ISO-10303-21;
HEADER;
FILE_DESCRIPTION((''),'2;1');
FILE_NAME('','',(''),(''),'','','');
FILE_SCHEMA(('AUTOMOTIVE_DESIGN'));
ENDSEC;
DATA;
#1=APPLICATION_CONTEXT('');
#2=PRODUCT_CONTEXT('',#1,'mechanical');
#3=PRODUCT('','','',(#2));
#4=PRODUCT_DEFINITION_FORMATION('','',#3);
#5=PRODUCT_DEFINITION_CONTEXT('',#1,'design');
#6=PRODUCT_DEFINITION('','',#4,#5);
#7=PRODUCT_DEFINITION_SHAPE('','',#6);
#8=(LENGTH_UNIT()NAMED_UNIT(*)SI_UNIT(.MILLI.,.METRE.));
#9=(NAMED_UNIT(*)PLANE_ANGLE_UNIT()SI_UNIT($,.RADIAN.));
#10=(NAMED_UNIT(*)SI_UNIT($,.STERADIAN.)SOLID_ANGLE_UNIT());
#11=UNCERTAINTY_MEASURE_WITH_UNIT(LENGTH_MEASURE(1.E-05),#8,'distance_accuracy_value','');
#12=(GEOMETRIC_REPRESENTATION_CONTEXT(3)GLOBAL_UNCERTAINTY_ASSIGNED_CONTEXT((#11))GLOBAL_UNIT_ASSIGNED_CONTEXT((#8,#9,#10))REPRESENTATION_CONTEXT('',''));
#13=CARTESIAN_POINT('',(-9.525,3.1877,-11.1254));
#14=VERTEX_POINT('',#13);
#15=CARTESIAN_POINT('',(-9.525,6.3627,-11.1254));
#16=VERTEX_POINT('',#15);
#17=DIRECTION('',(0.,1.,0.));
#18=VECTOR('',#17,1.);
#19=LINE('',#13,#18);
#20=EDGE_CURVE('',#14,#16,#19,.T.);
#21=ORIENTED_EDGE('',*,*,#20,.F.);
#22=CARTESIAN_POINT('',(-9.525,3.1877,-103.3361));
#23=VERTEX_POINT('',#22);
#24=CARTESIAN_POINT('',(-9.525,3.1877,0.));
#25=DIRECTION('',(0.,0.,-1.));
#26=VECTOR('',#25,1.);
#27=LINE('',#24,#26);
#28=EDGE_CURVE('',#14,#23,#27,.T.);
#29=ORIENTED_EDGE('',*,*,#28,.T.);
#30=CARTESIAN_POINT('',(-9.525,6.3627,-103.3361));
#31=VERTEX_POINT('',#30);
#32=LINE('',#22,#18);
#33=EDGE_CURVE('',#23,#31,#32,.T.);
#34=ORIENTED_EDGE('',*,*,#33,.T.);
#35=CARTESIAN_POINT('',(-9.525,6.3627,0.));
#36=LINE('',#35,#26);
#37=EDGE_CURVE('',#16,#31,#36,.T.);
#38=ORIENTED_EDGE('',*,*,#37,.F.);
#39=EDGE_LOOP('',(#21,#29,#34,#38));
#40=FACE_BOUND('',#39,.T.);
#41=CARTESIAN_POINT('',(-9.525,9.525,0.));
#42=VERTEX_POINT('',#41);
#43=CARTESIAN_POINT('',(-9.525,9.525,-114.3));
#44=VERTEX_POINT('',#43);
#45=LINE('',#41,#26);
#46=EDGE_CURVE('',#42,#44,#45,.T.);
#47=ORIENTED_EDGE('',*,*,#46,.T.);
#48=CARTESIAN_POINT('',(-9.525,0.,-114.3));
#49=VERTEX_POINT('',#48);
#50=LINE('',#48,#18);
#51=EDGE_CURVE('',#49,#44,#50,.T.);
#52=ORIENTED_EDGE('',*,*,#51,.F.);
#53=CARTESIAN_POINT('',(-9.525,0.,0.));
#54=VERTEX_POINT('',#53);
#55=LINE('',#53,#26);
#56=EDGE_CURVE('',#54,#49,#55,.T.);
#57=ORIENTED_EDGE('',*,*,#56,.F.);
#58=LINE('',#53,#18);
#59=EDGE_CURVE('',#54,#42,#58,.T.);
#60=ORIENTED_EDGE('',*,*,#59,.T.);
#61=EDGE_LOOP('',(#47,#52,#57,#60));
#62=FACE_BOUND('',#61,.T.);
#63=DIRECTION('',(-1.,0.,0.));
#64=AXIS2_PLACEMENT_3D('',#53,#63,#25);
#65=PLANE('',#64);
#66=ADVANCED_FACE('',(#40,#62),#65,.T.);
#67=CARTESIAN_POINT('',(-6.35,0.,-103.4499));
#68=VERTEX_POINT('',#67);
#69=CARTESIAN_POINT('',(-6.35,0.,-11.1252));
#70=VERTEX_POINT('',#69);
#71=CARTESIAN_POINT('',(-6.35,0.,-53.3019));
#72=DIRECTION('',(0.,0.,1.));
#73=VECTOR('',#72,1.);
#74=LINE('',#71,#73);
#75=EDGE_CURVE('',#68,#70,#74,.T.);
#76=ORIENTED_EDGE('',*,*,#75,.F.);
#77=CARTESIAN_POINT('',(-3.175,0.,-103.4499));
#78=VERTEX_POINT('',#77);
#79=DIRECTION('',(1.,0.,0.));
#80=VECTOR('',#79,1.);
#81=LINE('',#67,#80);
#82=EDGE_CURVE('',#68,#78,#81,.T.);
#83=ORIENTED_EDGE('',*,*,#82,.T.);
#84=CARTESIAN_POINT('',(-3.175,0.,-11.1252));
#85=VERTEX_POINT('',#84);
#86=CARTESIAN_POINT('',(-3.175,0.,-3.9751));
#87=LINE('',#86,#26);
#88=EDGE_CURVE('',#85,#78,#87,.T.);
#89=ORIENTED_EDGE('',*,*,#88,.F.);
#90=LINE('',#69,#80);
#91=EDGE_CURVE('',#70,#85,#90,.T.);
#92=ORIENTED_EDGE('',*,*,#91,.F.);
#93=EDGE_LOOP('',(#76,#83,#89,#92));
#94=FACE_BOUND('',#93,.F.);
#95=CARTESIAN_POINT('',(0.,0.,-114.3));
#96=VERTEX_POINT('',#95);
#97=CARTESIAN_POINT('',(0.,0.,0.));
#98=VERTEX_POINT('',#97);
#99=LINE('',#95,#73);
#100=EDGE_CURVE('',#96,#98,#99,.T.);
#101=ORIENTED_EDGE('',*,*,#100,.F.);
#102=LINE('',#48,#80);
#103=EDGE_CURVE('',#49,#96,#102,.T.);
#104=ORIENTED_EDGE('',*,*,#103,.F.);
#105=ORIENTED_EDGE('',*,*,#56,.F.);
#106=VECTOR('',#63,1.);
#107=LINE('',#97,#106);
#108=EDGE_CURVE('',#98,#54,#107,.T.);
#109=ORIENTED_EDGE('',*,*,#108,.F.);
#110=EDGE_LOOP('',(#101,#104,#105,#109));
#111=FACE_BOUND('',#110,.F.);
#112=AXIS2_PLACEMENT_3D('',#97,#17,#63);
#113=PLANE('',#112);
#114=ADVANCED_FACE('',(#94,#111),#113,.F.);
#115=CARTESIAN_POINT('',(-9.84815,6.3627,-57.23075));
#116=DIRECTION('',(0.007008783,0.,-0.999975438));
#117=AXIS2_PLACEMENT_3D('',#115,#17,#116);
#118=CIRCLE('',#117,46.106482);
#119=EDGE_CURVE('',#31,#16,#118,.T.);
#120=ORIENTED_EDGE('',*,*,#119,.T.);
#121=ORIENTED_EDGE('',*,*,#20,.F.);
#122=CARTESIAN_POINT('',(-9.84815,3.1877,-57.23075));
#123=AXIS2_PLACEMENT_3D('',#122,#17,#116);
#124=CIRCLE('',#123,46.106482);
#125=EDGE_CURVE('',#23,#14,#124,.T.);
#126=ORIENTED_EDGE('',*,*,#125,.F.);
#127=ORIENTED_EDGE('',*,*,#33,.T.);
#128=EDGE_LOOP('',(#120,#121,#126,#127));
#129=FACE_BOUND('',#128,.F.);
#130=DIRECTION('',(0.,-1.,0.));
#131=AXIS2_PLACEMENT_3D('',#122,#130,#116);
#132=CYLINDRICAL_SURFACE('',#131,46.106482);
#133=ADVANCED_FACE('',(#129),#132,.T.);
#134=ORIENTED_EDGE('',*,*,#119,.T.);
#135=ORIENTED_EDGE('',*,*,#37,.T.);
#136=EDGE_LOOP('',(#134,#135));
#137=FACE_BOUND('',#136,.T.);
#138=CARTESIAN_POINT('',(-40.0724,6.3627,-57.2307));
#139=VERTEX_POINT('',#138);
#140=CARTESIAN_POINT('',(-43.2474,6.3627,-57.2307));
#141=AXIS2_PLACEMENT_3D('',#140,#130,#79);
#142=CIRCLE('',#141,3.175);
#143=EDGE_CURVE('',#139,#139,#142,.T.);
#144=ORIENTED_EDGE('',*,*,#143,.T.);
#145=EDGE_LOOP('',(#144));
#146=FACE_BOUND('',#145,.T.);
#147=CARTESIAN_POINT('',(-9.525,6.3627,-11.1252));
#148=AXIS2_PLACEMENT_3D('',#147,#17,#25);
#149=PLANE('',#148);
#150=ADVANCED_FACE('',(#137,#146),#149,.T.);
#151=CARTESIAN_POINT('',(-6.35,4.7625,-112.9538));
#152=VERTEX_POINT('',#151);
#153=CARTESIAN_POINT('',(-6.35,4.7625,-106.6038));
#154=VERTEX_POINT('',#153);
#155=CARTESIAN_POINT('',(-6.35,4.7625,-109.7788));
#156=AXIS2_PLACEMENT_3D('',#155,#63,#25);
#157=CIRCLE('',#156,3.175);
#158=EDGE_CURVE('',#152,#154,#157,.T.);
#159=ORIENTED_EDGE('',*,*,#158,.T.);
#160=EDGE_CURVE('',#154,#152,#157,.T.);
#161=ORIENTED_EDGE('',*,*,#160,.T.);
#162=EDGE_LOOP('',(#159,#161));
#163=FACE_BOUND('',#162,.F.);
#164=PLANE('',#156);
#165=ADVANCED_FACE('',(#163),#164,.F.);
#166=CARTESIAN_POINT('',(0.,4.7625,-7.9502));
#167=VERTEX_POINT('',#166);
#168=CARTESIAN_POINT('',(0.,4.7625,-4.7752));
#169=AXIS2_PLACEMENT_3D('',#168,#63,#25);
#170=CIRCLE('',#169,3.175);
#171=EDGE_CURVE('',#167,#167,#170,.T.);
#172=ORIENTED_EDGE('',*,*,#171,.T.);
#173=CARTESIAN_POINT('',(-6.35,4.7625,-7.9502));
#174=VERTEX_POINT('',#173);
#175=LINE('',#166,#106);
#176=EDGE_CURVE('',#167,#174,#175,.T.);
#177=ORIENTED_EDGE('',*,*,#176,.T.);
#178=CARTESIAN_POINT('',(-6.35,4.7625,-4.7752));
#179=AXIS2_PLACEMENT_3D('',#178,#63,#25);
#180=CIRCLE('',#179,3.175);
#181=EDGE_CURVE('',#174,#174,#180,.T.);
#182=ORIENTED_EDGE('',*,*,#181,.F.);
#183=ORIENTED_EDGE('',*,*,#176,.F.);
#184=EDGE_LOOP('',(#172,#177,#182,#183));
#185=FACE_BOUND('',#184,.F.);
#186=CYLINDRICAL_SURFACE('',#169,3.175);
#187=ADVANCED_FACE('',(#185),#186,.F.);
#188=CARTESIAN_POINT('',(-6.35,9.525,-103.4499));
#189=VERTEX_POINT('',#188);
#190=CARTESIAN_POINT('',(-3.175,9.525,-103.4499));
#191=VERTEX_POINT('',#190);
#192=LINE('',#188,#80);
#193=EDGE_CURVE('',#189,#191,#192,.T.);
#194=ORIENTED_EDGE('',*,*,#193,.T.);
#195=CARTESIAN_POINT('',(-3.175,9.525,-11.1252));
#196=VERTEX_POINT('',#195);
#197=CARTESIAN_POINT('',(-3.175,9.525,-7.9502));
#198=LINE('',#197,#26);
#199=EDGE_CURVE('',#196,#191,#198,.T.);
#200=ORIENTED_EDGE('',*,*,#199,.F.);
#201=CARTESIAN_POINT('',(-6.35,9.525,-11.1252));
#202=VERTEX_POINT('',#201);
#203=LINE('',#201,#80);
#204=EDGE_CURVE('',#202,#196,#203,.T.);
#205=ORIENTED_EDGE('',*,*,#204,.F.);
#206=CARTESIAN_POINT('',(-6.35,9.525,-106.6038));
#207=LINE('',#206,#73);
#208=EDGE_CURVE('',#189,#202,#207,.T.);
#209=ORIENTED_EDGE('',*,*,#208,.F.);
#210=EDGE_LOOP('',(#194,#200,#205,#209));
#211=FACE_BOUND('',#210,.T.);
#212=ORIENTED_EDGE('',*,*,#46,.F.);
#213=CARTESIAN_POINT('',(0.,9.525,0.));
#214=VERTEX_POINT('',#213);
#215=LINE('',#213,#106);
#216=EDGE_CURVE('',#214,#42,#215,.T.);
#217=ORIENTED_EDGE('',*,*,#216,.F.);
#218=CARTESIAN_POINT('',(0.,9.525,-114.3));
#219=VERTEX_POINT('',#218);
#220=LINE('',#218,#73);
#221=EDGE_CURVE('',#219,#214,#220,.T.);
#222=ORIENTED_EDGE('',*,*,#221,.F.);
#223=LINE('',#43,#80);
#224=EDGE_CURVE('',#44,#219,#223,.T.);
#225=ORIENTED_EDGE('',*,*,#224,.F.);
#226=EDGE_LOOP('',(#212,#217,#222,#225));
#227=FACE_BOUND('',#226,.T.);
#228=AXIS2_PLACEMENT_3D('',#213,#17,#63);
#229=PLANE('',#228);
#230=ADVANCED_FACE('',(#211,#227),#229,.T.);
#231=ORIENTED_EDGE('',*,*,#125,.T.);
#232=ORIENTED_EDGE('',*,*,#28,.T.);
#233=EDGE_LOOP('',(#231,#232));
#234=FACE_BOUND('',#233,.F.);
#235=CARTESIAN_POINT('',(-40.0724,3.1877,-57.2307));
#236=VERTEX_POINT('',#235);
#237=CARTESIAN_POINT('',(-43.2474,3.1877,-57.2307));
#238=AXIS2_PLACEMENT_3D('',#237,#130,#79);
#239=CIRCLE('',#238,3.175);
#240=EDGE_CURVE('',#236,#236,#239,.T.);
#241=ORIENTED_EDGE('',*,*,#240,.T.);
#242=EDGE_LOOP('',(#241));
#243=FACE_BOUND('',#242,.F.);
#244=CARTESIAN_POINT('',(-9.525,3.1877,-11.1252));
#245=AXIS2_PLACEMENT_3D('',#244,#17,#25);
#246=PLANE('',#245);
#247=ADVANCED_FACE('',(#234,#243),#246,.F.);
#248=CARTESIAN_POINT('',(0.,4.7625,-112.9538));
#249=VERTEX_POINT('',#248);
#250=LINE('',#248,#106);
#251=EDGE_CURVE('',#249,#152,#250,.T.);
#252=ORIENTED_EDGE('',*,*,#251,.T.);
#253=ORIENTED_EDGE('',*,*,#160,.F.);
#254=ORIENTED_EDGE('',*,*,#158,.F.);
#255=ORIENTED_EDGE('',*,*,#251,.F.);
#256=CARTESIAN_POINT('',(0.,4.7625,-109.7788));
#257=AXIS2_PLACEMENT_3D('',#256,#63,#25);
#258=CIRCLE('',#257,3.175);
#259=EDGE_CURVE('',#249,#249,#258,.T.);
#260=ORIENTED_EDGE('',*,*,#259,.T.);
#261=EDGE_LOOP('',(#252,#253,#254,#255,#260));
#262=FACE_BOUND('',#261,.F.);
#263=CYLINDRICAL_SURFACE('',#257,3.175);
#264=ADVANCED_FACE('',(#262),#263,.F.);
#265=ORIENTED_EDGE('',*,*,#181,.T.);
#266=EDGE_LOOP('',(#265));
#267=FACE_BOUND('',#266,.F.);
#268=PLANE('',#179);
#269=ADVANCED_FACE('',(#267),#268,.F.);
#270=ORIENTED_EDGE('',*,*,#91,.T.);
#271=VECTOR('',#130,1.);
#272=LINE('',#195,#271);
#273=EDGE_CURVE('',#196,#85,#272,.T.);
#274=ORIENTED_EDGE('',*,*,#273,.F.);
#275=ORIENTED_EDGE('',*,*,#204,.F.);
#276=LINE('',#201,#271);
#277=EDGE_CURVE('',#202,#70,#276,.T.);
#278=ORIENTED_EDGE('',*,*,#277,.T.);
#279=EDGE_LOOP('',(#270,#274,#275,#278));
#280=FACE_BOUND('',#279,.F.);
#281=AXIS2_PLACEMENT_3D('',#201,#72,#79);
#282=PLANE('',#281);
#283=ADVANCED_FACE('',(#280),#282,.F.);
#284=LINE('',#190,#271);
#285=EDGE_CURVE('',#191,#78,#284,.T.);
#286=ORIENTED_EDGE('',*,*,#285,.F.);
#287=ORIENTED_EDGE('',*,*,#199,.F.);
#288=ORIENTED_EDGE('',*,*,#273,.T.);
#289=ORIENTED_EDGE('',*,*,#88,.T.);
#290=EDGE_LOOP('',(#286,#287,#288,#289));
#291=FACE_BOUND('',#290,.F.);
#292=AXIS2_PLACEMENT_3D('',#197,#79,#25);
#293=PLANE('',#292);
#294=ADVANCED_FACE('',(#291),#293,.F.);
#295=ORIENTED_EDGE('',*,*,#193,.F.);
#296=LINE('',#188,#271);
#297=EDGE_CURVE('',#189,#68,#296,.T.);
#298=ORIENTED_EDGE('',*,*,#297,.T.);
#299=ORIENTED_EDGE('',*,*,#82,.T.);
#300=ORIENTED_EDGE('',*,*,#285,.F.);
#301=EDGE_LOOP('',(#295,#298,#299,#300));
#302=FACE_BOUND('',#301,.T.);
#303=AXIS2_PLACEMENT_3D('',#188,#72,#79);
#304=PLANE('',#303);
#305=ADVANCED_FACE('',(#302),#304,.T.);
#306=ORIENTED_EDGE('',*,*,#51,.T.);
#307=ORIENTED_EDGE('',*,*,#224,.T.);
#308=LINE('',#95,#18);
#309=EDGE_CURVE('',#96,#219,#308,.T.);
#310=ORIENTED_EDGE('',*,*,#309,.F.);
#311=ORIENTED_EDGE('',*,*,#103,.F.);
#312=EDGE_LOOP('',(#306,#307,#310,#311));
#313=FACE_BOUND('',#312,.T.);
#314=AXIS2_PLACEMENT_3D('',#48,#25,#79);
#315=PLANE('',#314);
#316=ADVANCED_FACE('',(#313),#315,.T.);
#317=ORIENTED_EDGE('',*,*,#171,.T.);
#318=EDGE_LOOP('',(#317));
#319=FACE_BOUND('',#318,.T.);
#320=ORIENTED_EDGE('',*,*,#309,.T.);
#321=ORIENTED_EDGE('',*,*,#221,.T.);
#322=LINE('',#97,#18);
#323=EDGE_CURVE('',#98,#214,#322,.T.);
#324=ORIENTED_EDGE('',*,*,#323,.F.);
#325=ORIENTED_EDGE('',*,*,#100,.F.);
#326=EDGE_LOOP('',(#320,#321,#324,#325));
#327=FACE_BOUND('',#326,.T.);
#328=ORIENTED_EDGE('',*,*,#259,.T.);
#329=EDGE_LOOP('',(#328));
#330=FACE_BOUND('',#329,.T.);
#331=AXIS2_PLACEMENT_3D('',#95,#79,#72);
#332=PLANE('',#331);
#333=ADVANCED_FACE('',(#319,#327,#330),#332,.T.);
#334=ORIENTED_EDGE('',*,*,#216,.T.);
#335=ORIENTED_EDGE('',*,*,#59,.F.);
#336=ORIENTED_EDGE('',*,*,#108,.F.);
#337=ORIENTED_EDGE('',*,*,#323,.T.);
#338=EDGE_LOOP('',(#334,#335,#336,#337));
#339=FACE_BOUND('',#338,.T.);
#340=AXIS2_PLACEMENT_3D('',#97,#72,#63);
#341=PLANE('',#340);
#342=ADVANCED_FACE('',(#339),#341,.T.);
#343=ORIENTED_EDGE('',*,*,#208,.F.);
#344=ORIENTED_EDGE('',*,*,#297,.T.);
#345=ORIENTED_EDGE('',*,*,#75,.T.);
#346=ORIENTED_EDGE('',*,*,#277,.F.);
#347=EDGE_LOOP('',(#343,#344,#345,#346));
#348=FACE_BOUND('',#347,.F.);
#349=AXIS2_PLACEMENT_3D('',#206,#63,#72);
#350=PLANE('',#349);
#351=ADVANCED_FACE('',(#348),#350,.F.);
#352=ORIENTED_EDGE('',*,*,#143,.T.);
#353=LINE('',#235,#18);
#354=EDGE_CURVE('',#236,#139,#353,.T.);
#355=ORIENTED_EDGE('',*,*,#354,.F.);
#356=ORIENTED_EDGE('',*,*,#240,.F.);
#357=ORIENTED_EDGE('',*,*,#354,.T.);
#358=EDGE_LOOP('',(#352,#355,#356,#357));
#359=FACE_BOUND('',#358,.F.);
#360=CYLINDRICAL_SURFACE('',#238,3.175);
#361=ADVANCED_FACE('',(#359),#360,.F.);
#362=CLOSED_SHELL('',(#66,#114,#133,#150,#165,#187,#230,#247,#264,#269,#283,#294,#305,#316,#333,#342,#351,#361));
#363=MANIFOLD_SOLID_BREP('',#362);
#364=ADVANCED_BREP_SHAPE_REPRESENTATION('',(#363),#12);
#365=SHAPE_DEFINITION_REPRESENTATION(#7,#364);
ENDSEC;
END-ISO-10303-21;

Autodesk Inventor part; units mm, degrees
ref_plane "YZ Plane" through (0, 0, 0) normal (1, 0, 0) x (0, 1, 0)
ref_plane "XZ Plane" through (0, 0, 0) normal (0, 1, 0) x (-1, 0, 0)
ref_plane "XY Plane" through (0, 0, 0) normal (0, 0, 1) x (1, 0, 0)
sketch "Sketch1" plane through (0, 0, 0) normal (0, 1, 0) x (-1, 0, 0)
  line L0 (0, 0) -> (9.525, 0)
  line L1 (9.525, 0) -> (9.525, -114.3)
  line L2 (9.525, -114.3) -> (0, -114.3)
  line L3 (0, -114.3) -> (0, 0)
  dimension "d0" = 9.525
  dimension "d1" = 114.3
extrude "Extrusion1" add sketch "Sketch1" along normal blind 9.525
sketch "Sketch2" plane through (0, 9.525, 0) normal (0, 1, 0) x (1, 0, 0)
  point P0 (0, 0)
sketch "Sketch3" plane through (0, 0, 0) normal (1, 0, 0) x (0, 0, -1)
  circle A0 centre (4.7752, 4.7625) radius 3.175
  circle A1 centre (109.7788, 4.7625) radius 3.175
  point P0 (0, 0)
  dimension "d4" = 6.35
  dimension "d5" = 6.35
hole "Hole1" at (0, 4.7625, -109.7788) at (0, 4.7625, -4.7752) direction (-1, 0, 0) diameter 6.35 depth 6.35
sketch "Sketch4" plane through (0, 9.525, 0) normal (0, 1, 0) x (1, 0, 0)
  line L0 (-6.35, 106.6038) -> (0, 106.6038) projected
  line L1 (-6.35, 1.6002) -> (-6.35, 7.9502) projected
  line L2 (-3.175, 106.6038) -> (-6.35, 106.6038)
  line L3 (-6.35, 106.6038) -> (-6.35, 7.9502)
  line L4 (-6.35, 7.9502) -> (-3.175, 7.9502)
  line L5 (-3.175, 7.9502) -> (-3.175, 106.6038)
  point P0 (0, 0)
extrude "Extrusion2" cut sketch "Sketch4" against normal blind 12.7
sketch "Sketch5" plane through (0, 9.525, 0) normal (0, 1, 0) x (1, 0, 0)
  line L0 (-6.35, 106.6038) -> (-6.35, 7.9502) projected
  line L1 (-3.175, 7.9502) -> (-6.35, 7.9502)
  line L2 (-6.35, 7.9502) -> (-6.35, 11.1252)
  line L3 (-6.35, 11.1252) -> (-3.175, 11.1252)
  line L4 (-3.175, 11.1252) -> (-3.175, 7.9502)
  line L5 (-6.35, 106.6038) -> (-3.175, 106.6038) projected
  line L6 (-3.175, 106.6038) -> (-6.35, 106.6038)
  line L7 (-6.35, 106.6038) -> (-6.35, 103.4499)
  line L8 (-6.35, 103.4499) -> (-3.175, 103.4499)
  line L9 (-3.175, 103.4499) -> (-3.175, 106.6038)
  point P0 (0, 0)
  dimension "d15" = 3.175
extrude "Extrusion3" add sketch "Sketch5" against normal blind 9.525
sketch "Sketch6" plane through (-9.525, 0, -114.3) normal (-1, 0, 0) x (0, 0, 1)
  point P0 (114.3, 0)
sketch "Sketch7" plane through (-9.525, 0, -114.3) normal (-1, 0, 0) x (0, 0, 1)
  line L0 (10.8501, 9.525) -> (10.8501, 0) projected
  line L1 (10.8501, 6.3627) -> (20.6362, 6.3627)
  line L2 (20.6362, 3.1877) -> (10.8501, 3.1877)
  line L3 (10.8501, 3.1877) -> (10.8501, 6.3627)
  line L4 (103.1748, 9.525) -> (103.1748, 0) projected
  line L5 (10.8501, 6.3627) -> (103.1748, 6.3627)
  line L6 (103.1748, 6.3627) -> (103.1748, 3.1877)
  line L7 (103.1748, 3.1877) -> (10.8501, 3.1877)
  line L8 (10.8501, 3.1877) -> (10.8501, 6.3627)
  point P0 (114.3, 0)
  point P1 (10.8501, 4.7625)
  dimension "d18" = 3.175
sketch "Sketch8" plane through (-9.525, 0, -114.3) normal (-1, 0, 0) x (0, 0, 1)
  point P0 (114.3, 0)
ref_plane "Work Plane1" through (-9.525, 3.1877, -11.1252) normal (0, 1, 0) x (0, 0, -1)
sketch "Sketch9" plane through (-9.525, 3.1877, -11.1252) normal (0, 1, 0) x (0, 0, -1)
  point P0 (-11.1252, -9.525)
sketch "Sketch10" plane through (-9.525, 3.1877, -11.1252) normal (0, 1, 0) x (0, 0, -1)
  line L0 (-11.1252, 0) -> (103.1748, 0) projected
  arc A0 (92.2109, 0) -> (0.0002, 0) centre (46.1056, 0.3232) ccw
  line L1 (92.2109, 0) -> (0.0002, 0)
  line L2 (92.3247, -3.175) -> (0, -3.175) projected
  point P0 (-11.1252, -9.525)
  point P1 (-11.1252, -9.525)
  point P2 (-11.1252, -9.525)
extrude "Extrusion4" add sketch "Sketch10" along normal blind 3.175
sketch "Sketch11" plane through (-9.525, 3.1877, -11.1252) normal (0, -1, 0) x (1, 0, 0)
  arc A0 (0, -0.0002) -> (0, -92.2109) centre (-0.3232, -46.1056) ccw projected
  line L0 (-46.4297, -46.1056) -> (-33.7222, -46.1056)
  point P0 (9.525, 11.1252)
sketch "Sketch12" plane through (-9.525, 3.1877, -11.1252) normal (0, -1, 0) x (1, 0, 0)
  point P0 (9.525, 11.1252)
sketch "Sketch13" plane through (-9.525, 3.1877, -11.1252) normal (0, -1, 0) x (1, 0, 0)
  circle A0 centre (-33.7224, -46.1055) radius 3.175
  point P0 (9.525, 11.1252)
  dimension "d22" = 6.35
extrude "Extrusion5" cut sketch "Sketch13" against normal blind 3.175
properties part number "MTV Truning Connecter (10.7)"
